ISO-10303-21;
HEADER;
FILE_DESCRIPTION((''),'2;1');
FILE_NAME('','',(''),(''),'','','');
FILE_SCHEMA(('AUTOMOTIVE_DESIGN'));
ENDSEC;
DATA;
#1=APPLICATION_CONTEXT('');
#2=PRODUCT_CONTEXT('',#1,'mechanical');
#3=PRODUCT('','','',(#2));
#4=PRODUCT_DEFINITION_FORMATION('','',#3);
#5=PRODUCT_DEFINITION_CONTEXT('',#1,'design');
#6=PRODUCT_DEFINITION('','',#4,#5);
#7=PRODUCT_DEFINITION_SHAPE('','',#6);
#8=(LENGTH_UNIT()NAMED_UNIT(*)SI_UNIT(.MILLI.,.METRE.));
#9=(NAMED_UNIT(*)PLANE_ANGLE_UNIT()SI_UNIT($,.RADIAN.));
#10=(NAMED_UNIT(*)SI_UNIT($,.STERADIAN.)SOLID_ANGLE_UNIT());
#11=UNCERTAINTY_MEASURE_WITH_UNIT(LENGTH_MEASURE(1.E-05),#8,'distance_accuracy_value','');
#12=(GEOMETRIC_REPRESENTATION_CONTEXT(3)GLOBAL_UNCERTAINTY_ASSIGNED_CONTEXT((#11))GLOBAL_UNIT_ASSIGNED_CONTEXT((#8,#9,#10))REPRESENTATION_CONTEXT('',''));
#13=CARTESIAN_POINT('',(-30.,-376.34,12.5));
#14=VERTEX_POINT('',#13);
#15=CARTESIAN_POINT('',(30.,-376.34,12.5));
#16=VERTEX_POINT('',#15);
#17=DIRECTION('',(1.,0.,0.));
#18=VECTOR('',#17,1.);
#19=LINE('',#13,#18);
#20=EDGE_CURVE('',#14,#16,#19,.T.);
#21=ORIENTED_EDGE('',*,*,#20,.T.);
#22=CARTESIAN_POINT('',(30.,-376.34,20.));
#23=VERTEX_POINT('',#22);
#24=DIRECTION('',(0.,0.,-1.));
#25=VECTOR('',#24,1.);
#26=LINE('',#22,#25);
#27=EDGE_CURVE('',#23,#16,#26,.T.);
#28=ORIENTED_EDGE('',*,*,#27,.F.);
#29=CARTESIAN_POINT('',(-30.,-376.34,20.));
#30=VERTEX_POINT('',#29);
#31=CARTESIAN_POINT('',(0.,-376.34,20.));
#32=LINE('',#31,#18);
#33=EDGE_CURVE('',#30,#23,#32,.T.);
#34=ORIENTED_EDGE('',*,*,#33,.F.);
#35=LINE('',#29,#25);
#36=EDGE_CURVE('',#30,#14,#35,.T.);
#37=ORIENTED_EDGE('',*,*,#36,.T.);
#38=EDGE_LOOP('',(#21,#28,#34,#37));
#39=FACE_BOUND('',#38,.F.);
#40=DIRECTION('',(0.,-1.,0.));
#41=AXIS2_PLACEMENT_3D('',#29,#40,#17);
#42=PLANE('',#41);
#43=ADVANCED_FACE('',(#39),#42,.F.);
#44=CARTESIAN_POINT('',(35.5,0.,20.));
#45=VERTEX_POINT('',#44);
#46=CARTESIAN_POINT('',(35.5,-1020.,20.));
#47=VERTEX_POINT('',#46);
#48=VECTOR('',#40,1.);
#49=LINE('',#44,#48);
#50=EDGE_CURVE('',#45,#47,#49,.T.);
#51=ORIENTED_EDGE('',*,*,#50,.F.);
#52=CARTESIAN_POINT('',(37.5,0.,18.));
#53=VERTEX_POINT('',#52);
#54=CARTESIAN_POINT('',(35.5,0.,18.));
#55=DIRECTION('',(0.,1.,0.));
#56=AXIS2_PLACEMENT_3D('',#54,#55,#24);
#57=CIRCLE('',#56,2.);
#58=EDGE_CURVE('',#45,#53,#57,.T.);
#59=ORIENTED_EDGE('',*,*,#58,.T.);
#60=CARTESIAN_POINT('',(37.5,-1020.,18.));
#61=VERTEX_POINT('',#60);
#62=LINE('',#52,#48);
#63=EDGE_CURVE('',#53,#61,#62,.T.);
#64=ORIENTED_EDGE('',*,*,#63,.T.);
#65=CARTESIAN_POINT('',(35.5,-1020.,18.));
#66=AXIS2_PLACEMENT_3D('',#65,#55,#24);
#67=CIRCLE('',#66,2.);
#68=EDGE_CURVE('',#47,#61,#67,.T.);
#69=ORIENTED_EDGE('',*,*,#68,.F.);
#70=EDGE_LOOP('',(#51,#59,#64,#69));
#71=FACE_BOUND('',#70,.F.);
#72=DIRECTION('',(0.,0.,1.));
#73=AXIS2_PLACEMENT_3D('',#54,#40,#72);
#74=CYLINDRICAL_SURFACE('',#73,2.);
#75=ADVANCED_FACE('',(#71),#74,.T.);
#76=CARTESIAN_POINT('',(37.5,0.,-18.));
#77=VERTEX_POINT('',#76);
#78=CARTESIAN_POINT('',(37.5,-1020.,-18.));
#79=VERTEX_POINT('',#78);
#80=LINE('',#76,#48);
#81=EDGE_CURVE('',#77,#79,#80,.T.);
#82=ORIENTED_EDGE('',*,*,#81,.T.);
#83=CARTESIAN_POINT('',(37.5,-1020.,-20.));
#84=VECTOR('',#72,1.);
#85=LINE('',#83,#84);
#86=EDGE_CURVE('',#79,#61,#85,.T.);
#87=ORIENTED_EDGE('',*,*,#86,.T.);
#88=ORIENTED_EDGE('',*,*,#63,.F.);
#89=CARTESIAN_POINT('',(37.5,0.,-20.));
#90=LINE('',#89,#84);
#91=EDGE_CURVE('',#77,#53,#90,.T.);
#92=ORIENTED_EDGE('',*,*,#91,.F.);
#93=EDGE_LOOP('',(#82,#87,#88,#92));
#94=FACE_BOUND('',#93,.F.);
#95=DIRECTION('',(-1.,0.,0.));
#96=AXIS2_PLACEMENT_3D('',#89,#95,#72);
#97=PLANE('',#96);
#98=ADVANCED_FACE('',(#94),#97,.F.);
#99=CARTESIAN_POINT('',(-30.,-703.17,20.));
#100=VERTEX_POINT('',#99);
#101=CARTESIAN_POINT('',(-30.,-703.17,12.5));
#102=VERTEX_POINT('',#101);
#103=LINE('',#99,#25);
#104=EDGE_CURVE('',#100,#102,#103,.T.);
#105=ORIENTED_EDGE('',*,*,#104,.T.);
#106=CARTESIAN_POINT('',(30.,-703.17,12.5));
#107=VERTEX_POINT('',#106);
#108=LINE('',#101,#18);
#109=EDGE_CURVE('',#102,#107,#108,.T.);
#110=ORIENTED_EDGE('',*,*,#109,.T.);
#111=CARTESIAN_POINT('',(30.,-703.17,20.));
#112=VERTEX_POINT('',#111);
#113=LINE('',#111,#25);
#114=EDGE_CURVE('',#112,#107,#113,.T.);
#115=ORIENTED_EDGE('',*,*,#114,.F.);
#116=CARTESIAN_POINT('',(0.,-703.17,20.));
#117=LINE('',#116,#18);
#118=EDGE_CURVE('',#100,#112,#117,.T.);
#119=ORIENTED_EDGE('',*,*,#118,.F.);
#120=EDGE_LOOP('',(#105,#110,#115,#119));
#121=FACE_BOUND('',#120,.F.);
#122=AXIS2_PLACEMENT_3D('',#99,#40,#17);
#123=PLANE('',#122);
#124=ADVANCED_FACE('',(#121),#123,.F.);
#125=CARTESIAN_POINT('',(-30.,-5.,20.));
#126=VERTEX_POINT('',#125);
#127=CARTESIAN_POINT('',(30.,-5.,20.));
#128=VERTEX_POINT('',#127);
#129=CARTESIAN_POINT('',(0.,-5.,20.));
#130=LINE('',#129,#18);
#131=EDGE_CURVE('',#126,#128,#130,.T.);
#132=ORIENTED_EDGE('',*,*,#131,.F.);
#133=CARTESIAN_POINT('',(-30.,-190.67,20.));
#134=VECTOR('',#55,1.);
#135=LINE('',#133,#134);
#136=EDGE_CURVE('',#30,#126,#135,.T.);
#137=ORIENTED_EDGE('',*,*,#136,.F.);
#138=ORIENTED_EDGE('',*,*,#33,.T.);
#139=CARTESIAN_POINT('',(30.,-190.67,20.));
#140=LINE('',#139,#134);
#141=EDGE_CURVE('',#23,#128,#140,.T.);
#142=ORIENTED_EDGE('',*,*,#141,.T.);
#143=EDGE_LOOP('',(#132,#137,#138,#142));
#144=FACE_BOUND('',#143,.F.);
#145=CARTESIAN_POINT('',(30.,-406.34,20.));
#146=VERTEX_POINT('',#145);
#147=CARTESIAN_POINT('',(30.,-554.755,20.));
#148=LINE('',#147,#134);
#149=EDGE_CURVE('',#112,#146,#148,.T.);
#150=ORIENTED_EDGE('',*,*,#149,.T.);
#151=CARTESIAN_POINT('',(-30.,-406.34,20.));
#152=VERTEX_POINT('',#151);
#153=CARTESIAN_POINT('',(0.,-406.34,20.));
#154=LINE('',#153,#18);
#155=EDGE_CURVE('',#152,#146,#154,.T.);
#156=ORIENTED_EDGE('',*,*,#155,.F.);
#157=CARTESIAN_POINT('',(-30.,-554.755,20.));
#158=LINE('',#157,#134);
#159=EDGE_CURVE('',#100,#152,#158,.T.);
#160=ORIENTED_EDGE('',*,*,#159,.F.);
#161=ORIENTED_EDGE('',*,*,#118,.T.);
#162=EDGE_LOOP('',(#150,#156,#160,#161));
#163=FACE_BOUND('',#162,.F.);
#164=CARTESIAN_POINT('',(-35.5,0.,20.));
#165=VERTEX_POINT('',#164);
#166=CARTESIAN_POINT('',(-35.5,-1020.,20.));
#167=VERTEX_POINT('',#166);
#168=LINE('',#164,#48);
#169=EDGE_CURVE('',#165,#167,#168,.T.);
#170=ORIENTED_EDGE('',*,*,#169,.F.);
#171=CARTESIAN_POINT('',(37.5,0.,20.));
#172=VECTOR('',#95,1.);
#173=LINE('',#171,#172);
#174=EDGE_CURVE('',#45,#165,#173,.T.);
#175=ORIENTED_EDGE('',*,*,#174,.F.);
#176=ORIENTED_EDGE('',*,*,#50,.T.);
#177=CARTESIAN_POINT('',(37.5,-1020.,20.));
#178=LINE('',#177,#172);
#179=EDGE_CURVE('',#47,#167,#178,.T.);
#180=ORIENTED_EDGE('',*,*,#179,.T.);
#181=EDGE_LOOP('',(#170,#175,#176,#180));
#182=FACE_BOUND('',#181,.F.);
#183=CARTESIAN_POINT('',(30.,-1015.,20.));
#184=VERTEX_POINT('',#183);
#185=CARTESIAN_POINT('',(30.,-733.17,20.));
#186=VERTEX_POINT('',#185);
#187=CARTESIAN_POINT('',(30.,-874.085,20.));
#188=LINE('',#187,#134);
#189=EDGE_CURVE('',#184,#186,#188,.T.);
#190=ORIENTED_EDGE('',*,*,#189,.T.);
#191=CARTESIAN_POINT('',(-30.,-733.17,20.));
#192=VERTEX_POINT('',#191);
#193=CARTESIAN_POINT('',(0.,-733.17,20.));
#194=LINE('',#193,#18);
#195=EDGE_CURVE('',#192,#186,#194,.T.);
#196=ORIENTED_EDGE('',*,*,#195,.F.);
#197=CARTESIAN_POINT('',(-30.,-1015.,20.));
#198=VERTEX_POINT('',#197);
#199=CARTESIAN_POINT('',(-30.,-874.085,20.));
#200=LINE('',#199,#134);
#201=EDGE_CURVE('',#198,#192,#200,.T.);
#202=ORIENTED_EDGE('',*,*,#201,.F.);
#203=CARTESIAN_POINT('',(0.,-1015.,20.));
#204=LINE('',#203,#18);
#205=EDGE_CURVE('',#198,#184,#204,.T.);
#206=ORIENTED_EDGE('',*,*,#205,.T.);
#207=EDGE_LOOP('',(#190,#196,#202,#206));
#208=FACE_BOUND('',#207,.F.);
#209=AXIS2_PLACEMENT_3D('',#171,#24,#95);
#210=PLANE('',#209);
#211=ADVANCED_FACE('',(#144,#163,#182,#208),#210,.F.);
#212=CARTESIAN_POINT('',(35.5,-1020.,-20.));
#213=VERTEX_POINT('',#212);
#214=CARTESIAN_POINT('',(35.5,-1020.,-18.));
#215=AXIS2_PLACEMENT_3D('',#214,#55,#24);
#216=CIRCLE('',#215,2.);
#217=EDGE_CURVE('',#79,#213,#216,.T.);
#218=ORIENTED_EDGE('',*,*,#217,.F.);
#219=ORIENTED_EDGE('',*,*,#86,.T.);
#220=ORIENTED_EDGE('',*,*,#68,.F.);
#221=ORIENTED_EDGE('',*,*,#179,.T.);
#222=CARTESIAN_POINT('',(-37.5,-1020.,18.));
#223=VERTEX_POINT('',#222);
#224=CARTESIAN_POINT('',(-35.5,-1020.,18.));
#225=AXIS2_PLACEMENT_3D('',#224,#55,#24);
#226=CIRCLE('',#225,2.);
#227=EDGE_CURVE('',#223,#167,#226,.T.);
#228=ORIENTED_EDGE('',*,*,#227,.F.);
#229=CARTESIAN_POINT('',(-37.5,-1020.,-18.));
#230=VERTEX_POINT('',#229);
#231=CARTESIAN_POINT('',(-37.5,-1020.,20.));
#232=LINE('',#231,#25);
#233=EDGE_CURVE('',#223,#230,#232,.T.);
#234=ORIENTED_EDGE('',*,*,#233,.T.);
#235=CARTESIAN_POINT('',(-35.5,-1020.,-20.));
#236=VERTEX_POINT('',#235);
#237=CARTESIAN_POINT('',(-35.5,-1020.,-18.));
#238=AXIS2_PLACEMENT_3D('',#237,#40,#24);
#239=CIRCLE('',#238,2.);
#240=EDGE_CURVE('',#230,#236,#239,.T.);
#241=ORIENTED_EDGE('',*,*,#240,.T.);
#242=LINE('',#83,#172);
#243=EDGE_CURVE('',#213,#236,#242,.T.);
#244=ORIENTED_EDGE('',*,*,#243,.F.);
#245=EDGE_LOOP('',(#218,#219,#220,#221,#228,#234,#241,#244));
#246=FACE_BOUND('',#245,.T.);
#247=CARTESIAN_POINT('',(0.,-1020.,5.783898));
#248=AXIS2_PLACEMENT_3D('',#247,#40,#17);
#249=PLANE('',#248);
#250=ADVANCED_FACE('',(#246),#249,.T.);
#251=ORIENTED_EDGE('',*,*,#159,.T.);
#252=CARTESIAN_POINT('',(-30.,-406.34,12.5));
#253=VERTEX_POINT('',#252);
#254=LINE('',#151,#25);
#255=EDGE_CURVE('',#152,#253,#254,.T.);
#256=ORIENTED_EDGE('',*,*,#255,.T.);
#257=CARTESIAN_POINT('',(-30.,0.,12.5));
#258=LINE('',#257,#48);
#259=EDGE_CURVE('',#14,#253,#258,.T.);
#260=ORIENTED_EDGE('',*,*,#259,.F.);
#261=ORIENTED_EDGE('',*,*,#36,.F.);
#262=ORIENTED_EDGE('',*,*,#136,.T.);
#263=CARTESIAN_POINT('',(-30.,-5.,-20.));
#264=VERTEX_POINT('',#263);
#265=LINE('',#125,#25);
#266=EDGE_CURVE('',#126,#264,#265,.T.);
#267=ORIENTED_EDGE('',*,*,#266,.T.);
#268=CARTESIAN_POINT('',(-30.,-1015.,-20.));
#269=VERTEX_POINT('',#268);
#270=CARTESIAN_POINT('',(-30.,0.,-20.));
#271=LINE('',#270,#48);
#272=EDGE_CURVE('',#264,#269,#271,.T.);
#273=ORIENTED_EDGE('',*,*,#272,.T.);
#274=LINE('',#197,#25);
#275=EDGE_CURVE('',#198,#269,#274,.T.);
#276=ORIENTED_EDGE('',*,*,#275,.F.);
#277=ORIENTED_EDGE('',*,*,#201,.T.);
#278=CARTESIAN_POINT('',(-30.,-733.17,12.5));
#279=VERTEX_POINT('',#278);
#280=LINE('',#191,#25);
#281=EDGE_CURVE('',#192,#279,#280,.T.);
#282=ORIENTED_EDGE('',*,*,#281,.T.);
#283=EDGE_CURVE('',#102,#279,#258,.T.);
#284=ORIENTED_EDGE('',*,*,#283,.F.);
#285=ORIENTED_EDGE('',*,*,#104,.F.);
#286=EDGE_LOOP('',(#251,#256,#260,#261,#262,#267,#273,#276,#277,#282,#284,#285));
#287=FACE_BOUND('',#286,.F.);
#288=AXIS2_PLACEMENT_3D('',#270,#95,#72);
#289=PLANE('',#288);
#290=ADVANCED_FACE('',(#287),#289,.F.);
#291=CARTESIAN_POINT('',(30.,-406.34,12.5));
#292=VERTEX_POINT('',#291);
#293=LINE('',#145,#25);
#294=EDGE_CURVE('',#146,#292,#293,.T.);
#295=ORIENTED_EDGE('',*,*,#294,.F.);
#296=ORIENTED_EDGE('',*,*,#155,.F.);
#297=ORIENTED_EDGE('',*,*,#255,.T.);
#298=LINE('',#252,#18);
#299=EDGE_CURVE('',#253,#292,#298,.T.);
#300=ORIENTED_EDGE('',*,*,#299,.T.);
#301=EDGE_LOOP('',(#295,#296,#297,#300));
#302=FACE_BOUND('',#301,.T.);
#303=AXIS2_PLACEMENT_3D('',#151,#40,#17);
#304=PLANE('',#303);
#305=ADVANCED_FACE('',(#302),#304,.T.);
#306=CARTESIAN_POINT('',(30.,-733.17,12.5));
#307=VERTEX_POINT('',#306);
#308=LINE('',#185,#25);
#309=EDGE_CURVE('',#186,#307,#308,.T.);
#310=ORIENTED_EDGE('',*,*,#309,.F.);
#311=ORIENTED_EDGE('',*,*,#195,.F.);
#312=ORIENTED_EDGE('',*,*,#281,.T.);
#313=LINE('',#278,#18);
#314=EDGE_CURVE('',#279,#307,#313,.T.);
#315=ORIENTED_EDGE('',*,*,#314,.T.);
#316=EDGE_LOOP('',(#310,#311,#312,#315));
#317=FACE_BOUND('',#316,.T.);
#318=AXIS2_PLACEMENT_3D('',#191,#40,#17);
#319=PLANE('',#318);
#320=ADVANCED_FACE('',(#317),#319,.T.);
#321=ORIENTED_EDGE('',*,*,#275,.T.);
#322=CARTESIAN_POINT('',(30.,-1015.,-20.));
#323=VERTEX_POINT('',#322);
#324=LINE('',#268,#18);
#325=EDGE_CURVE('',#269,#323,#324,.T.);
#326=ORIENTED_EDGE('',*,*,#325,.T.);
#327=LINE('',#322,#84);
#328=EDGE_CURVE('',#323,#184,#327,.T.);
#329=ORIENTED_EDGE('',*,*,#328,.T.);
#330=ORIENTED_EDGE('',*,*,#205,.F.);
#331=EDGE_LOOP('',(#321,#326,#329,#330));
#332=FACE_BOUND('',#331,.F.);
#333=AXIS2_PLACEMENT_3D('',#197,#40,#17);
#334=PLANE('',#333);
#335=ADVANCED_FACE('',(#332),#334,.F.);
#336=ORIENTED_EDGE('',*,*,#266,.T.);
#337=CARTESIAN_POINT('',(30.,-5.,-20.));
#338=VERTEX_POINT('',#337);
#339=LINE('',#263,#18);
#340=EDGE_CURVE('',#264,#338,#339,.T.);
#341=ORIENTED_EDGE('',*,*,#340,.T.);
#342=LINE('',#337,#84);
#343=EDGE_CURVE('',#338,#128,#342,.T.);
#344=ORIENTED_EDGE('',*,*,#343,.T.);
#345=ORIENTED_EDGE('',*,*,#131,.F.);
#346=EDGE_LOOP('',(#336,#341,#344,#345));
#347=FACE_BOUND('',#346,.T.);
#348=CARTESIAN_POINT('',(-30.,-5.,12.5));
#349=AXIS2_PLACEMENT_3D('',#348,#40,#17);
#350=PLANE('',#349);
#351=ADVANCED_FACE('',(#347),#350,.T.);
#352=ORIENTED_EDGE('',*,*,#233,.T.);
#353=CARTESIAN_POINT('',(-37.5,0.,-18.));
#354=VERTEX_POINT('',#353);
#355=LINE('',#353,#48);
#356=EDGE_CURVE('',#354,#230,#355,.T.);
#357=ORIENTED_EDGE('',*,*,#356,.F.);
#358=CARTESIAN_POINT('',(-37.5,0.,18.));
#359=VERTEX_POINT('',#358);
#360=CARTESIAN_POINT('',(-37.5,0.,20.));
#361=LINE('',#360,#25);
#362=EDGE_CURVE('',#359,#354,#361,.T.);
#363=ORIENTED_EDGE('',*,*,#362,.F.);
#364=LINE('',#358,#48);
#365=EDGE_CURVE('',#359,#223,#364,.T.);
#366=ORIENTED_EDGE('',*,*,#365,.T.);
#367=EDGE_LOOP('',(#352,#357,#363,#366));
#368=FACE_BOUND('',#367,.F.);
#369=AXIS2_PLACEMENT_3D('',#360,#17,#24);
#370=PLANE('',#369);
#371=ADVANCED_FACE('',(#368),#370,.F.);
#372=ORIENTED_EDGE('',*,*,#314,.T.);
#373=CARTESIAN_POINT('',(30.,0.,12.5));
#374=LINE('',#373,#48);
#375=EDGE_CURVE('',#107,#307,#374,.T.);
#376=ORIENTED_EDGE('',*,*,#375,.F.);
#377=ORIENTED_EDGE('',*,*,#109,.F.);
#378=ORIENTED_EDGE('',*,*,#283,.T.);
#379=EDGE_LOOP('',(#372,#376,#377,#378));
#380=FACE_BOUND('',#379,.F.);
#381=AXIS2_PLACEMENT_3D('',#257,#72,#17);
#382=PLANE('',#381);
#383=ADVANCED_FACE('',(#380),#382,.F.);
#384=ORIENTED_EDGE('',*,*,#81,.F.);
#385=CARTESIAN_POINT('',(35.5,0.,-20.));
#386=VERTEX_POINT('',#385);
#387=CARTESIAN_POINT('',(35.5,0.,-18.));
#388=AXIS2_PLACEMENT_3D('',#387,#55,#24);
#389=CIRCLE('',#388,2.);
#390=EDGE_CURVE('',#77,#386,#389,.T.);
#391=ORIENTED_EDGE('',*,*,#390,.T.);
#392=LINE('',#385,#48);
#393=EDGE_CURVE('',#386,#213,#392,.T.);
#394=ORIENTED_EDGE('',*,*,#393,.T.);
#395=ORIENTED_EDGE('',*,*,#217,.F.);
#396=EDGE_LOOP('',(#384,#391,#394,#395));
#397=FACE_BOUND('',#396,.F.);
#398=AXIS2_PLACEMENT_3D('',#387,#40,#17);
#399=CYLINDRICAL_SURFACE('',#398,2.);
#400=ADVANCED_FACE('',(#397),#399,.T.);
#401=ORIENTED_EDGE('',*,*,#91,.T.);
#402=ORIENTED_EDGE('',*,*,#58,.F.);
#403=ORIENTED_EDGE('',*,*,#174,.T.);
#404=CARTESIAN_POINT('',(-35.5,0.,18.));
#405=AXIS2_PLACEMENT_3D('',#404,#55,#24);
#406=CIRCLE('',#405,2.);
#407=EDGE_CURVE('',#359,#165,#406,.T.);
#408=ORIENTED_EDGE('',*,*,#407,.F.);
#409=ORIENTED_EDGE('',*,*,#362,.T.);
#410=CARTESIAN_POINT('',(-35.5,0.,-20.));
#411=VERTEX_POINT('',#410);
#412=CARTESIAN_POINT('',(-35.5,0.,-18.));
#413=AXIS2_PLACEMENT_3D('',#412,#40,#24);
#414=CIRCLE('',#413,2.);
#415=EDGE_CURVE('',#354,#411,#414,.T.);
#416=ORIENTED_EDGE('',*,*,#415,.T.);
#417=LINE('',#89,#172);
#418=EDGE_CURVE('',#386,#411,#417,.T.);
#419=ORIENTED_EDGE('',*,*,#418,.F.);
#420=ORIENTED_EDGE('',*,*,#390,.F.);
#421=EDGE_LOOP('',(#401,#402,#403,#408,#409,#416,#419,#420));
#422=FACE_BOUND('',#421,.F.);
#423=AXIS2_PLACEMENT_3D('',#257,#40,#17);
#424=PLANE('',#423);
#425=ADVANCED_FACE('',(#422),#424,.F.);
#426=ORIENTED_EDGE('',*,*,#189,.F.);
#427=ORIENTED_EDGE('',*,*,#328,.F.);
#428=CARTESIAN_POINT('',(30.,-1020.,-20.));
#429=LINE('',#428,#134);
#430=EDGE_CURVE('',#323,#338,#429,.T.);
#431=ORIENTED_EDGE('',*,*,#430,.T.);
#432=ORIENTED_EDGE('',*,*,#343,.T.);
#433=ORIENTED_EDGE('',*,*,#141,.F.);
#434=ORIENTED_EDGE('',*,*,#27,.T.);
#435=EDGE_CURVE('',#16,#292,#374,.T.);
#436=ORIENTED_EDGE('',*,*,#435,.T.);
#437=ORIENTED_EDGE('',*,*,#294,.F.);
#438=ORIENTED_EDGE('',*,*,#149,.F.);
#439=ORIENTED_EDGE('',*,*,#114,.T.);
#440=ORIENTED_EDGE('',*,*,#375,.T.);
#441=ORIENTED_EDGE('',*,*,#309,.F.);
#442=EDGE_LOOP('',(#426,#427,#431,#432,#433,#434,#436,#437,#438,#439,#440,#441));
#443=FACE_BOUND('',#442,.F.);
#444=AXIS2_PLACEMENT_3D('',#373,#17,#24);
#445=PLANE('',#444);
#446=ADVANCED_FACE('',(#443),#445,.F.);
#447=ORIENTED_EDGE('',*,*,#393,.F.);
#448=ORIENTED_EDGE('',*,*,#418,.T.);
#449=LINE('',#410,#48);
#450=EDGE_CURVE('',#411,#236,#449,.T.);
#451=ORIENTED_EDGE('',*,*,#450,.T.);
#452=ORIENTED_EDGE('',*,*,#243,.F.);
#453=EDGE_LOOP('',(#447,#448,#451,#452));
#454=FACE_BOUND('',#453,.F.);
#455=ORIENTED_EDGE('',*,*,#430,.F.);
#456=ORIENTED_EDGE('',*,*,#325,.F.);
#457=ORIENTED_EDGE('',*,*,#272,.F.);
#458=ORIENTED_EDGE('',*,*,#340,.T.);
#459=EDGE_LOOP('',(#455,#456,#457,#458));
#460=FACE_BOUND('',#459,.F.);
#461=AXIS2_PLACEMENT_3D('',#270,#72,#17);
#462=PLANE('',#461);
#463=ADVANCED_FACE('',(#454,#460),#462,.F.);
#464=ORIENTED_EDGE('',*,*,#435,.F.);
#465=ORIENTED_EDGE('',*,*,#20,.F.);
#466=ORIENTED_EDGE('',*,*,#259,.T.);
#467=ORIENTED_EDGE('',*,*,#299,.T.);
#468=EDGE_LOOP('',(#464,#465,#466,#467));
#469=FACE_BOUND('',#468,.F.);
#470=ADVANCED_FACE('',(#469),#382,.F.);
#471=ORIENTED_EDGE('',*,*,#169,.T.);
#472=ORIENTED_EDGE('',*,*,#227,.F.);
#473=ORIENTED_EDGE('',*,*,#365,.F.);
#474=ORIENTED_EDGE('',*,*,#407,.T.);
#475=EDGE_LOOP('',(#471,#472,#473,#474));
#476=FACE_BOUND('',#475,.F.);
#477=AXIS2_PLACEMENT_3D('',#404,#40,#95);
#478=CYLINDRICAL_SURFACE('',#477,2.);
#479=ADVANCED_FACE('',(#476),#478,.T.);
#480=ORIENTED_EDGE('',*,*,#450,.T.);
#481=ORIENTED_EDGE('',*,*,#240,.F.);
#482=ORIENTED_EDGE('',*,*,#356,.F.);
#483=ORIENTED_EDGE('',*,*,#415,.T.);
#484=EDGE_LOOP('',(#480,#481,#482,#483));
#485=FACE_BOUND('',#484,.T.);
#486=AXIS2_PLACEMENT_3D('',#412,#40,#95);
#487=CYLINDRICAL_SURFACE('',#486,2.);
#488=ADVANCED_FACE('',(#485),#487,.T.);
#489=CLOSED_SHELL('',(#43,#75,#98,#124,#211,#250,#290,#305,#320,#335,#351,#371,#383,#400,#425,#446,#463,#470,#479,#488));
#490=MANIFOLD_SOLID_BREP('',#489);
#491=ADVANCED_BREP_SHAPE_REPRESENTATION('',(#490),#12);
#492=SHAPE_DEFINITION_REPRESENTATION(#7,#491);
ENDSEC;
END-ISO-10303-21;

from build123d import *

# Parameters (mm, degrees)
F1_DEPTH = 1020
F2_W     = 60
F2_H     = 281.83
F2_H_2   = 296.83
F2_H_3   = 371.34
F3_DEPTH = 60
F4_DEPTH = 32.5
F5_R     = 2


with BuildPart() as f1:
    # F0 (on Front) → F1 (new body)
    with BuildSketch(Plane.XZ):
        Polygon((30, -20), (37.5, -20), (37.5, 20), (-37.5, 20), (-37.5, -20), (-30, -20), (-30, -12.5), (-30, 12.5), (30, 12.5), (30, -12.5), align=None)
    extrude(amount=F1_DEPTH)

    # F2 (on face) → F3 (cut)
    with BuildSketch(Plane.XY.offset(20)):
        with Locations((0, -874.085)):
            Rectangle(F2_W, F2_H)
        with Locations((0, -554.755)):
            Rectangle(F2_W, F2_H_2)
        with Locations((0, -190.67)):
            Rectangle(F2_W, F2_H_3)
    extrude(amount=-F3_DEPTH, mode=Mode.SUBTRACT)

    # F4 (add): faces of the model
    f4_faces = [f1.faces().sort_by_distance(p)[0] for p in [
        (0, -2.5, 12.5),
        (0, -1017.5, 12.5),
    ]]
    extrude(f4_faces, amount=F4_DEPTH)

    # F5
    f5_edges = [f1.edges().sort_by_distance(p)[0] for p in [
        (37.5, -510, 20),
        (-37.5, -510, 20),
        (37.5, -510, -20),
        (-37.5, -510, -20),
    ]]
    fillet(f5_edges, radius=F5_R)


solid = f1.part
